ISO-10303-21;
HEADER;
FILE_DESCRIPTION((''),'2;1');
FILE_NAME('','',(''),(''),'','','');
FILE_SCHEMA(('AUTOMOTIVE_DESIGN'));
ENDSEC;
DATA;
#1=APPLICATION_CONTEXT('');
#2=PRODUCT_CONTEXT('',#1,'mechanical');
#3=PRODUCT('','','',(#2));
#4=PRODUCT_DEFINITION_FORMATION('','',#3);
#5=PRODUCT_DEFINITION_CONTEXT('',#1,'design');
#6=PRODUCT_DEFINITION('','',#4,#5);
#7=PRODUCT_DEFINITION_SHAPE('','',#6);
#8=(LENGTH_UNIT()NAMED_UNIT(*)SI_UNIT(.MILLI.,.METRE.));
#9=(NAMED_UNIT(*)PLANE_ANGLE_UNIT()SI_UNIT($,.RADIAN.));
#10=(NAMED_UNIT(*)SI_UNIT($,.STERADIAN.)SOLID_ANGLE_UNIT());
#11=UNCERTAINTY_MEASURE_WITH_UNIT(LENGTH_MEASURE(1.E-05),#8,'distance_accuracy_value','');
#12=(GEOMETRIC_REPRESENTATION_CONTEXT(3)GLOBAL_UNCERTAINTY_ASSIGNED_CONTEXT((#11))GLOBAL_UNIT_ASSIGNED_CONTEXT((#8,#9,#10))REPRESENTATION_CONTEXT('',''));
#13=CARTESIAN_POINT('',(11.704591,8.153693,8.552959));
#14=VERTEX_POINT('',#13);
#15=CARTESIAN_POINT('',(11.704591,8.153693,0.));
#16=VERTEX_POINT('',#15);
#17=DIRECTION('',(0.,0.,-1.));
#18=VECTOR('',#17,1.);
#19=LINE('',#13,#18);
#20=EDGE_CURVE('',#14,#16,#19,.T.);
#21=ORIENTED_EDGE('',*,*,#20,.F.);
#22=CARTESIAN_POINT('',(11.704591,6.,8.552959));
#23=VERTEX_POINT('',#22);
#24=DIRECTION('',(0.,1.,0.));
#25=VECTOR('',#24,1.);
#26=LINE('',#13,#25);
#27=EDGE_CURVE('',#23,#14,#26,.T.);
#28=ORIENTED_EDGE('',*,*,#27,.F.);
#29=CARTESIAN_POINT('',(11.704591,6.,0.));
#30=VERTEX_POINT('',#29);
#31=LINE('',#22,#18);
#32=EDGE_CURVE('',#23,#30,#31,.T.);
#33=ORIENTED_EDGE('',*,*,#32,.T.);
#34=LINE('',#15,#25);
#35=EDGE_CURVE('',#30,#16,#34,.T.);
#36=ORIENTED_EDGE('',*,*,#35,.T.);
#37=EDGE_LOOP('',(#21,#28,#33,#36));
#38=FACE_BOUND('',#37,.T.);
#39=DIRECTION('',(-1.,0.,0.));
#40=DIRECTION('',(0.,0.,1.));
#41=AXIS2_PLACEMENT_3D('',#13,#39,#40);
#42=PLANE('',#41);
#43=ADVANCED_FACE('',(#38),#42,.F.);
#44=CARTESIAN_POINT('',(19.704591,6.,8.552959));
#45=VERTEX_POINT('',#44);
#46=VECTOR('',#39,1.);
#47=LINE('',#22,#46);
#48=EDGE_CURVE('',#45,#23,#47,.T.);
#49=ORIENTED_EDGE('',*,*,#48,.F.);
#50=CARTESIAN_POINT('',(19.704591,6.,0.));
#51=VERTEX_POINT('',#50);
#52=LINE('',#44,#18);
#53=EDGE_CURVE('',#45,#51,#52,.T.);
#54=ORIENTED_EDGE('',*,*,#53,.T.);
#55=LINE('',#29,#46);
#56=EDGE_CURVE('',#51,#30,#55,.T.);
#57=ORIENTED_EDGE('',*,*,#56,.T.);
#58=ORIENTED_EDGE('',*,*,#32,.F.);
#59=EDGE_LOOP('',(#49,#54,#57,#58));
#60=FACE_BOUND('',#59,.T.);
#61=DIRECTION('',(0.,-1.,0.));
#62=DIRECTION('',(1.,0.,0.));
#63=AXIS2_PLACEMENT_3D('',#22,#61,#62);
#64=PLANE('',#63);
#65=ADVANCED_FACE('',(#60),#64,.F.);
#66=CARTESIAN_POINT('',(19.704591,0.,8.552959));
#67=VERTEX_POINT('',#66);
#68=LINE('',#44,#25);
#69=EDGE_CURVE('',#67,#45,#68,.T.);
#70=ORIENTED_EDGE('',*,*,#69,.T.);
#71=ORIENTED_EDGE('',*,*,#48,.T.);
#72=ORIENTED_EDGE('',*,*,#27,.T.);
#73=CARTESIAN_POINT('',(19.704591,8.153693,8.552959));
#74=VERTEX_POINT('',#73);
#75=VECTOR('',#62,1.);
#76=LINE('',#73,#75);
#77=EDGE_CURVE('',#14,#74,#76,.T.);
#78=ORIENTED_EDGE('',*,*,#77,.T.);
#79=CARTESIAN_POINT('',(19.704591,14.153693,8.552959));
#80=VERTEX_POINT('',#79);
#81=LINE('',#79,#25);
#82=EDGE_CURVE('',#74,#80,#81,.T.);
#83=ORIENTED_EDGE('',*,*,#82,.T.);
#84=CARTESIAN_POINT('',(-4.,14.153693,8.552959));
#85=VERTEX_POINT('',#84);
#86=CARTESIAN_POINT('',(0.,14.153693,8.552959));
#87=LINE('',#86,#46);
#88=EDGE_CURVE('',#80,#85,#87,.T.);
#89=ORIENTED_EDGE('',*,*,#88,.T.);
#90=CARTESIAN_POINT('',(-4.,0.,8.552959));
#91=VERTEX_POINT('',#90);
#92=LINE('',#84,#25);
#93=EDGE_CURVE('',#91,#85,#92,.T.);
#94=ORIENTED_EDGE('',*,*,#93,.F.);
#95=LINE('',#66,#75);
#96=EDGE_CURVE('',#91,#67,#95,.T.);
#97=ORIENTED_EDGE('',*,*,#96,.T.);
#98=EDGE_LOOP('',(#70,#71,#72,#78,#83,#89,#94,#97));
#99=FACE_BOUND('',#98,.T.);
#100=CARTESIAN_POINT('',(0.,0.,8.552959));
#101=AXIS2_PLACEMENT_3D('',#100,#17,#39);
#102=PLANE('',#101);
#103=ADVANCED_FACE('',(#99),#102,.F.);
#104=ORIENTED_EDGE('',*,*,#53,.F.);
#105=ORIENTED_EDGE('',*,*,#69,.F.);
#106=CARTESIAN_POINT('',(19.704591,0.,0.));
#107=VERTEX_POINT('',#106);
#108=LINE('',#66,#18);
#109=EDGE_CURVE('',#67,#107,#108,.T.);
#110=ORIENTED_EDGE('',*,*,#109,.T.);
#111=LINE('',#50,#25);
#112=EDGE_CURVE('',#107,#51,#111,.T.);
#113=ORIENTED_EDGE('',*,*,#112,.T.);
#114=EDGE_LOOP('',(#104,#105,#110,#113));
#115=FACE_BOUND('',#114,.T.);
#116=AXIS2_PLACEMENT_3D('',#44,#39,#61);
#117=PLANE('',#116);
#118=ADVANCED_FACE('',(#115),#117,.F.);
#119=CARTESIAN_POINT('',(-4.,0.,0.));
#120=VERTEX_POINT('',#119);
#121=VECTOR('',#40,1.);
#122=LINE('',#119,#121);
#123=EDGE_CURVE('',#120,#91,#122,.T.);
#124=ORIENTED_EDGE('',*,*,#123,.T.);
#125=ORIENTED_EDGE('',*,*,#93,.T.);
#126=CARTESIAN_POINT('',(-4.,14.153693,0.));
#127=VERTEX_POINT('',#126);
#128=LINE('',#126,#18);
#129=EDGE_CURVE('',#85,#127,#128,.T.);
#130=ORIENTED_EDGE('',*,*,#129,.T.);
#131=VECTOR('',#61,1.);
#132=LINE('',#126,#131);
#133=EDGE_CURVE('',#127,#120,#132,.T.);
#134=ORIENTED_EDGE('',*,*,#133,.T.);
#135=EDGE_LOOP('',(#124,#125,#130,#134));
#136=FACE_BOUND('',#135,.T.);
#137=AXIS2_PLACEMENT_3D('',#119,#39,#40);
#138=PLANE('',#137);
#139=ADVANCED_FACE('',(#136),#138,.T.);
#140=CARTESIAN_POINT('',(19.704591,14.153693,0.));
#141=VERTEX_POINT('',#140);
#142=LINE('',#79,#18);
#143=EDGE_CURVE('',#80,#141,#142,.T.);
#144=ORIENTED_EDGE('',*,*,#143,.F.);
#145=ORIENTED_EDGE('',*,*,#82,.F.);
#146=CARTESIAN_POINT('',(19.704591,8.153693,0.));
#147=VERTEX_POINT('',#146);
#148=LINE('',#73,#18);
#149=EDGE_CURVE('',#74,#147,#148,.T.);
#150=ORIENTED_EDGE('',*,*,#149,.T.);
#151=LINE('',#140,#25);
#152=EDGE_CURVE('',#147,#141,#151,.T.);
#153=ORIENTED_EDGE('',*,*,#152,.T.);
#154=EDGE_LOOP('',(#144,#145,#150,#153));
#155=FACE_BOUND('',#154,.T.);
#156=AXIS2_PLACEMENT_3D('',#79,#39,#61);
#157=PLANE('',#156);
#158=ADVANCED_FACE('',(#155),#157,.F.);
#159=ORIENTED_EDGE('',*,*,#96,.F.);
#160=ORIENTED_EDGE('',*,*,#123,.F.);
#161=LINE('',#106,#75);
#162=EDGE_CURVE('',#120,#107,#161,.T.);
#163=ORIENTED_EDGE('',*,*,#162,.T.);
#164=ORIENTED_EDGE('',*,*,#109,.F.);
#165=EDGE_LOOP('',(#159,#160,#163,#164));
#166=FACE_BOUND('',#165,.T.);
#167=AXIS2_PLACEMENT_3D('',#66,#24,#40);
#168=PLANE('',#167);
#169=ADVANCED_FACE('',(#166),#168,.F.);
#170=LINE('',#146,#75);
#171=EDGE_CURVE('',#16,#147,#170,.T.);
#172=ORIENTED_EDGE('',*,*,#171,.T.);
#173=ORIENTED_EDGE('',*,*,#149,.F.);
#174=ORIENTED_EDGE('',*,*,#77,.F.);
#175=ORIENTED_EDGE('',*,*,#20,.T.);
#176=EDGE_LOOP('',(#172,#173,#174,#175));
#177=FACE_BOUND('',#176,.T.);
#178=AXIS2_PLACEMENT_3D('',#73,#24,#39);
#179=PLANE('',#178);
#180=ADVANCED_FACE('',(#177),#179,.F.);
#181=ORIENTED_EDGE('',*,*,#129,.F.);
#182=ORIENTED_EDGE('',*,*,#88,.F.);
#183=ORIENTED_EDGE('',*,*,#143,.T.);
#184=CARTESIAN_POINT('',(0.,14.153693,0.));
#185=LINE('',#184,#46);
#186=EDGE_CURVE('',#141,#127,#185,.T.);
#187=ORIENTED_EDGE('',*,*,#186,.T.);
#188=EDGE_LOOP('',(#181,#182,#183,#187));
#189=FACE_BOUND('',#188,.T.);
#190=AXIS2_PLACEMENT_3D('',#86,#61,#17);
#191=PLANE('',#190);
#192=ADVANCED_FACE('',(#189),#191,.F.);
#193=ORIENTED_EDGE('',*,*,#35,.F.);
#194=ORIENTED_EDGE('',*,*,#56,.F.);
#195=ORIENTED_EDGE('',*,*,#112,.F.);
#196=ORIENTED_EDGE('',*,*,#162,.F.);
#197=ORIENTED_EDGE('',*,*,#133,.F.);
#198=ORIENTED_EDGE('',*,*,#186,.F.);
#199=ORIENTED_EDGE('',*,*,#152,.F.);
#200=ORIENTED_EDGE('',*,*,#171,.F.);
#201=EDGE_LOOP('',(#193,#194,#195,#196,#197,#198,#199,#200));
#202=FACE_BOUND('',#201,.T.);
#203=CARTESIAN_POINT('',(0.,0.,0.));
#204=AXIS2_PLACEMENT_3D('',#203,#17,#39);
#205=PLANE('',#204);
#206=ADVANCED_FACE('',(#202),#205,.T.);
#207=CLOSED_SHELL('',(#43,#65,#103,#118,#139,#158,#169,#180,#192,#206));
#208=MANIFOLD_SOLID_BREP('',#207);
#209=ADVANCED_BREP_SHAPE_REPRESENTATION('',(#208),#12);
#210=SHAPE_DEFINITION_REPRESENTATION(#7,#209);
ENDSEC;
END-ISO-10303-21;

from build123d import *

# Parameters (mm, degrees)
BOSS_EXTRUDE1_DEPTH = 8.552959
SKETCH2_W           = 8.552959
SKETCH2_H           = 14.1536931
BOSS_EXTRUDE2_DEPTH = 4


with BuildPart() as part:
    # Sketch1 → Boss-Extrude1 (new body)
    with BuildSketch(Plane.XY):
        Polygon((0, 0), (0, 14.1536931), (19.704590583, 14.1536931), (19.704590583, 8.1536931), (11.704590583, 8.1536931), (11.704590583, 6), (19.704590583, 6), (19.704590583, 0), align=None)
    extrude(amount=BOSS_EXTRUDE1_DEPTH)

    # Sketch2 → Boss-Extrude2 (add)
    with BuildSketch(Plane.ZY):
        with Locations((4.2764795, 7.07684655)):
            Rectangle(SKETCH2_W, SKETCH2_H)
    extrude(amount=BOSS_EXTRUDE2_DEPTH)


solid = part.part
